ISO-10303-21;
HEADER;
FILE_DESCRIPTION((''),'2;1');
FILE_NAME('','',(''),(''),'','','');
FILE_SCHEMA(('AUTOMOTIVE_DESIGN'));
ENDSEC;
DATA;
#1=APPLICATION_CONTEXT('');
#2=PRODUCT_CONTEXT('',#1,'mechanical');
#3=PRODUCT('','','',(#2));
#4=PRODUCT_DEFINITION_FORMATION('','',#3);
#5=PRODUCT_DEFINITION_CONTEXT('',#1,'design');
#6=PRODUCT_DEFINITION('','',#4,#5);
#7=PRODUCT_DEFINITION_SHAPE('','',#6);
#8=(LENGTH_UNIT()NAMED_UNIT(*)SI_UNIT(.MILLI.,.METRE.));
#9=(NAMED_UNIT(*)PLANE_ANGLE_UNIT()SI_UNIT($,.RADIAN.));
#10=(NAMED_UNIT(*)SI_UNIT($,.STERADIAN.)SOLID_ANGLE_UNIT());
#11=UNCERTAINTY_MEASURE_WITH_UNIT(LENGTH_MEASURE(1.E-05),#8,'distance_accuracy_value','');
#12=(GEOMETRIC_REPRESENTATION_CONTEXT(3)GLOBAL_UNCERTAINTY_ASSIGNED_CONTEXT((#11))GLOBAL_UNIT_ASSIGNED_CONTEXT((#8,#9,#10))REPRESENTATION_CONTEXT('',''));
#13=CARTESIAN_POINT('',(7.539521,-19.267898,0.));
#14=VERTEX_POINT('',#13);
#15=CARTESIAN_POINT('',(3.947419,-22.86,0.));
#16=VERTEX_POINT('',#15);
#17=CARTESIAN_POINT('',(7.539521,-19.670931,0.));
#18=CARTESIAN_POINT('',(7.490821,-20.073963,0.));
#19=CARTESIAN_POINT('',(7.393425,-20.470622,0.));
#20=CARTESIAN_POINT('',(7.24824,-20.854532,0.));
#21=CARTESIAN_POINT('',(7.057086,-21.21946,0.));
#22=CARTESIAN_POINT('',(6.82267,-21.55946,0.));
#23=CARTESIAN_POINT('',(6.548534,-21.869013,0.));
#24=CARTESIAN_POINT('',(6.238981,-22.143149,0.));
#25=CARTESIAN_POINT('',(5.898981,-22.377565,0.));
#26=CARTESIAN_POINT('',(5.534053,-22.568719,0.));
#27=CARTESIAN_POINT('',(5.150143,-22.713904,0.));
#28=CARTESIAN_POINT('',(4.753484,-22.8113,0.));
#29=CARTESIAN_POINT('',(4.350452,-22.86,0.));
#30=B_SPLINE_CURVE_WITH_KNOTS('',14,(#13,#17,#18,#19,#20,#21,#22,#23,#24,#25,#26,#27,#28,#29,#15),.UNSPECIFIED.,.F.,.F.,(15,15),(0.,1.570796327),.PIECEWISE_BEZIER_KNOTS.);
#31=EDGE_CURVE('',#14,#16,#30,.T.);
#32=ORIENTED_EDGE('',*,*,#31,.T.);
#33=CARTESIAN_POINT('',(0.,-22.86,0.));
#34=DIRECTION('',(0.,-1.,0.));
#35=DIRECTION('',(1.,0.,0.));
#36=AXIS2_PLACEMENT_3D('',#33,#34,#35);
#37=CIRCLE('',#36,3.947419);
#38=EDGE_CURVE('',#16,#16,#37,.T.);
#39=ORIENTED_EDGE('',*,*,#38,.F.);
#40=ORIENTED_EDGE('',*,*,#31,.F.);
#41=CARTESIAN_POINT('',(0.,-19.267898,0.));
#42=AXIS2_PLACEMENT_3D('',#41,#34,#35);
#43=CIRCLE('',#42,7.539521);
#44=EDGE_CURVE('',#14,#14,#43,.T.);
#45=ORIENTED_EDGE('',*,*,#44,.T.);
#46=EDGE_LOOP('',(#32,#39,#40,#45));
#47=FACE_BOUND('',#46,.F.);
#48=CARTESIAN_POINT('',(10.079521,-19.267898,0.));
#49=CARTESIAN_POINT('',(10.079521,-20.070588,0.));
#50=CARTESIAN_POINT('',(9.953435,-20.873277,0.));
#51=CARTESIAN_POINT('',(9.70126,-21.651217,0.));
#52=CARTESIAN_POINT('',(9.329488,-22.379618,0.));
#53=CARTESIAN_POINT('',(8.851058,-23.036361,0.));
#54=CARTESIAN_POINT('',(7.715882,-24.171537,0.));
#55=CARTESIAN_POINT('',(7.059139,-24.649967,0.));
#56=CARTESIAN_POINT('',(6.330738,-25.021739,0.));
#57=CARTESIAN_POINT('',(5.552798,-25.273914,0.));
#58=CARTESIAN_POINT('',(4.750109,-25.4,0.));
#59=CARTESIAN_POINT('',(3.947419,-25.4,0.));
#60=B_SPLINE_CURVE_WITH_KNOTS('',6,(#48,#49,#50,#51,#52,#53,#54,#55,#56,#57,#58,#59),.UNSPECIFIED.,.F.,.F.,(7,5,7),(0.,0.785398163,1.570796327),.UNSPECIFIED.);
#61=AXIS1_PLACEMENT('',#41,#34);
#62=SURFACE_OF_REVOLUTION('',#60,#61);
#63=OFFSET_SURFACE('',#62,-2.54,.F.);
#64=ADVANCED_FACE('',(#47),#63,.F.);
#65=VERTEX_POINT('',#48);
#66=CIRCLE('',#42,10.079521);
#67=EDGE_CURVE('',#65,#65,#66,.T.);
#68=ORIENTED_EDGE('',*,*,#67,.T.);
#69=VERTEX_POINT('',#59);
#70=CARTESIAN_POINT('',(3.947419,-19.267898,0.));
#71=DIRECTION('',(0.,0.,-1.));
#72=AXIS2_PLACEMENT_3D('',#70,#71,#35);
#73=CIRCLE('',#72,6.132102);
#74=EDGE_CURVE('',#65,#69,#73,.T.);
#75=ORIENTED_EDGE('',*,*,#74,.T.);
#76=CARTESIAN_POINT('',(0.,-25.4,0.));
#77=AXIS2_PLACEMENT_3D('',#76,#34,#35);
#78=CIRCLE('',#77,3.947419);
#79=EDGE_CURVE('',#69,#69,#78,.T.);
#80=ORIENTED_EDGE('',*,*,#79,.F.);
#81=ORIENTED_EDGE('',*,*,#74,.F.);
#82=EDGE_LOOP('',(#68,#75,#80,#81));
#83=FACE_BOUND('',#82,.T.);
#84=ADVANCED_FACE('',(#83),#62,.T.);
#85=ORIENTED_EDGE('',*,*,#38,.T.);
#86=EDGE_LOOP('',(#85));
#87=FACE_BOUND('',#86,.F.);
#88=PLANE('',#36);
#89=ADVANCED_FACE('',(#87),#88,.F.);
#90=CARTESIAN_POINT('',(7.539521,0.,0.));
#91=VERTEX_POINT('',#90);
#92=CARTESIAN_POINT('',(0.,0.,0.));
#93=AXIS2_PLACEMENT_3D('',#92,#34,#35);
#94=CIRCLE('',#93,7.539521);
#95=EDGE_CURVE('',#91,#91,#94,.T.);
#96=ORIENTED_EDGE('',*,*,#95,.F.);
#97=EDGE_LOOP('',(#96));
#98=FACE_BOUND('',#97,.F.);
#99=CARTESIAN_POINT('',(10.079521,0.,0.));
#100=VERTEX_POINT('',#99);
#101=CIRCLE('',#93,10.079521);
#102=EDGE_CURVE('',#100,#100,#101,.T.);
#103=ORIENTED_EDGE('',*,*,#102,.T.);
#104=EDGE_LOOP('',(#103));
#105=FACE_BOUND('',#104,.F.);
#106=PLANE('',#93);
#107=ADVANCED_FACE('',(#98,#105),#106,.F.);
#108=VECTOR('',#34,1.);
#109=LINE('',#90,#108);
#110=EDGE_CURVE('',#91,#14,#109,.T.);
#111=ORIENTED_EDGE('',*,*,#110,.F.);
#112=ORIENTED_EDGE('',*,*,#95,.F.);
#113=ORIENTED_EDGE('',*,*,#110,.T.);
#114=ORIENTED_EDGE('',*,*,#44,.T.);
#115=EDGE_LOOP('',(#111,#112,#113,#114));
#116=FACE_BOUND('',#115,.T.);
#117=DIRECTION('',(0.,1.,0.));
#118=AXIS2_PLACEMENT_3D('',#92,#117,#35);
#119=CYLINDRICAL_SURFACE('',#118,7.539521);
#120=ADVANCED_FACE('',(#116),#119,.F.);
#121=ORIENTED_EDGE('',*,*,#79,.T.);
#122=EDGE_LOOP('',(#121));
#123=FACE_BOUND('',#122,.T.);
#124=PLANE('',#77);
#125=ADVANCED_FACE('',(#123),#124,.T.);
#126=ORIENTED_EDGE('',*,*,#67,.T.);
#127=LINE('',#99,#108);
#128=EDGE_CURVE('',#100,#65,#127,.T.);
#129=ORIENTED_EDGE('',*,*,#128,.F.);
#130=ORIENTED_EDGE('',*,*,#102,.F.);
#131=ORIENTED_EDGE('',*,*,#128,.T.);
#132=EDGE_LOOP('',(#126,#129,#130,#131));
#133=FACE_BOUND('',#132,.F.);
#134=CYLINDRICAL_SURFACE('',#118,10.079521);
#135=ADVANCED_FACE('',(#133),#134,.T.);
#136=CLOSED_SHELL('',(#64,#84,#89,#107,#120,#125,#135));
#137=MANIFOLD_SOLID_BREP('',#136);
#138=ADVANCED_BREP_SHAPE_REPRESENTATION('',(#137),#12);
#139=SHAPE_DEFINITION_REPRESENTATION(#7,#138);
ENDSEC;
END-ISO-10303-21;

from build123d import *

# Parameters (mm, degrees)
F0_R     = 10.079521
F1_DEPTH = 25.4
F2_R     = 6.132102
F3_T     = -2.54


with BuildPart() as f1:
    # F0 (on Front) → F1 (new body)
    with BuildSketch(Plane.XZ):
        Circle(F0_R)
    extrude(amount=F1_DEPTH)

    # F2
    f2_edges = [f1.edges().sort_by_distance(p)[0] for p in [
        (-10.079521, -25.4, 0),
    ]]
    fillet(f2_edges, radius=F2_R)

    # F3
    f3_openings = [f1.faces().sort_by_distance(p)[0] for p in [
        (0, 0, 0),
    ]]
    offset(amount=F3_T, openings=f3_openings)


solid = f1.part
